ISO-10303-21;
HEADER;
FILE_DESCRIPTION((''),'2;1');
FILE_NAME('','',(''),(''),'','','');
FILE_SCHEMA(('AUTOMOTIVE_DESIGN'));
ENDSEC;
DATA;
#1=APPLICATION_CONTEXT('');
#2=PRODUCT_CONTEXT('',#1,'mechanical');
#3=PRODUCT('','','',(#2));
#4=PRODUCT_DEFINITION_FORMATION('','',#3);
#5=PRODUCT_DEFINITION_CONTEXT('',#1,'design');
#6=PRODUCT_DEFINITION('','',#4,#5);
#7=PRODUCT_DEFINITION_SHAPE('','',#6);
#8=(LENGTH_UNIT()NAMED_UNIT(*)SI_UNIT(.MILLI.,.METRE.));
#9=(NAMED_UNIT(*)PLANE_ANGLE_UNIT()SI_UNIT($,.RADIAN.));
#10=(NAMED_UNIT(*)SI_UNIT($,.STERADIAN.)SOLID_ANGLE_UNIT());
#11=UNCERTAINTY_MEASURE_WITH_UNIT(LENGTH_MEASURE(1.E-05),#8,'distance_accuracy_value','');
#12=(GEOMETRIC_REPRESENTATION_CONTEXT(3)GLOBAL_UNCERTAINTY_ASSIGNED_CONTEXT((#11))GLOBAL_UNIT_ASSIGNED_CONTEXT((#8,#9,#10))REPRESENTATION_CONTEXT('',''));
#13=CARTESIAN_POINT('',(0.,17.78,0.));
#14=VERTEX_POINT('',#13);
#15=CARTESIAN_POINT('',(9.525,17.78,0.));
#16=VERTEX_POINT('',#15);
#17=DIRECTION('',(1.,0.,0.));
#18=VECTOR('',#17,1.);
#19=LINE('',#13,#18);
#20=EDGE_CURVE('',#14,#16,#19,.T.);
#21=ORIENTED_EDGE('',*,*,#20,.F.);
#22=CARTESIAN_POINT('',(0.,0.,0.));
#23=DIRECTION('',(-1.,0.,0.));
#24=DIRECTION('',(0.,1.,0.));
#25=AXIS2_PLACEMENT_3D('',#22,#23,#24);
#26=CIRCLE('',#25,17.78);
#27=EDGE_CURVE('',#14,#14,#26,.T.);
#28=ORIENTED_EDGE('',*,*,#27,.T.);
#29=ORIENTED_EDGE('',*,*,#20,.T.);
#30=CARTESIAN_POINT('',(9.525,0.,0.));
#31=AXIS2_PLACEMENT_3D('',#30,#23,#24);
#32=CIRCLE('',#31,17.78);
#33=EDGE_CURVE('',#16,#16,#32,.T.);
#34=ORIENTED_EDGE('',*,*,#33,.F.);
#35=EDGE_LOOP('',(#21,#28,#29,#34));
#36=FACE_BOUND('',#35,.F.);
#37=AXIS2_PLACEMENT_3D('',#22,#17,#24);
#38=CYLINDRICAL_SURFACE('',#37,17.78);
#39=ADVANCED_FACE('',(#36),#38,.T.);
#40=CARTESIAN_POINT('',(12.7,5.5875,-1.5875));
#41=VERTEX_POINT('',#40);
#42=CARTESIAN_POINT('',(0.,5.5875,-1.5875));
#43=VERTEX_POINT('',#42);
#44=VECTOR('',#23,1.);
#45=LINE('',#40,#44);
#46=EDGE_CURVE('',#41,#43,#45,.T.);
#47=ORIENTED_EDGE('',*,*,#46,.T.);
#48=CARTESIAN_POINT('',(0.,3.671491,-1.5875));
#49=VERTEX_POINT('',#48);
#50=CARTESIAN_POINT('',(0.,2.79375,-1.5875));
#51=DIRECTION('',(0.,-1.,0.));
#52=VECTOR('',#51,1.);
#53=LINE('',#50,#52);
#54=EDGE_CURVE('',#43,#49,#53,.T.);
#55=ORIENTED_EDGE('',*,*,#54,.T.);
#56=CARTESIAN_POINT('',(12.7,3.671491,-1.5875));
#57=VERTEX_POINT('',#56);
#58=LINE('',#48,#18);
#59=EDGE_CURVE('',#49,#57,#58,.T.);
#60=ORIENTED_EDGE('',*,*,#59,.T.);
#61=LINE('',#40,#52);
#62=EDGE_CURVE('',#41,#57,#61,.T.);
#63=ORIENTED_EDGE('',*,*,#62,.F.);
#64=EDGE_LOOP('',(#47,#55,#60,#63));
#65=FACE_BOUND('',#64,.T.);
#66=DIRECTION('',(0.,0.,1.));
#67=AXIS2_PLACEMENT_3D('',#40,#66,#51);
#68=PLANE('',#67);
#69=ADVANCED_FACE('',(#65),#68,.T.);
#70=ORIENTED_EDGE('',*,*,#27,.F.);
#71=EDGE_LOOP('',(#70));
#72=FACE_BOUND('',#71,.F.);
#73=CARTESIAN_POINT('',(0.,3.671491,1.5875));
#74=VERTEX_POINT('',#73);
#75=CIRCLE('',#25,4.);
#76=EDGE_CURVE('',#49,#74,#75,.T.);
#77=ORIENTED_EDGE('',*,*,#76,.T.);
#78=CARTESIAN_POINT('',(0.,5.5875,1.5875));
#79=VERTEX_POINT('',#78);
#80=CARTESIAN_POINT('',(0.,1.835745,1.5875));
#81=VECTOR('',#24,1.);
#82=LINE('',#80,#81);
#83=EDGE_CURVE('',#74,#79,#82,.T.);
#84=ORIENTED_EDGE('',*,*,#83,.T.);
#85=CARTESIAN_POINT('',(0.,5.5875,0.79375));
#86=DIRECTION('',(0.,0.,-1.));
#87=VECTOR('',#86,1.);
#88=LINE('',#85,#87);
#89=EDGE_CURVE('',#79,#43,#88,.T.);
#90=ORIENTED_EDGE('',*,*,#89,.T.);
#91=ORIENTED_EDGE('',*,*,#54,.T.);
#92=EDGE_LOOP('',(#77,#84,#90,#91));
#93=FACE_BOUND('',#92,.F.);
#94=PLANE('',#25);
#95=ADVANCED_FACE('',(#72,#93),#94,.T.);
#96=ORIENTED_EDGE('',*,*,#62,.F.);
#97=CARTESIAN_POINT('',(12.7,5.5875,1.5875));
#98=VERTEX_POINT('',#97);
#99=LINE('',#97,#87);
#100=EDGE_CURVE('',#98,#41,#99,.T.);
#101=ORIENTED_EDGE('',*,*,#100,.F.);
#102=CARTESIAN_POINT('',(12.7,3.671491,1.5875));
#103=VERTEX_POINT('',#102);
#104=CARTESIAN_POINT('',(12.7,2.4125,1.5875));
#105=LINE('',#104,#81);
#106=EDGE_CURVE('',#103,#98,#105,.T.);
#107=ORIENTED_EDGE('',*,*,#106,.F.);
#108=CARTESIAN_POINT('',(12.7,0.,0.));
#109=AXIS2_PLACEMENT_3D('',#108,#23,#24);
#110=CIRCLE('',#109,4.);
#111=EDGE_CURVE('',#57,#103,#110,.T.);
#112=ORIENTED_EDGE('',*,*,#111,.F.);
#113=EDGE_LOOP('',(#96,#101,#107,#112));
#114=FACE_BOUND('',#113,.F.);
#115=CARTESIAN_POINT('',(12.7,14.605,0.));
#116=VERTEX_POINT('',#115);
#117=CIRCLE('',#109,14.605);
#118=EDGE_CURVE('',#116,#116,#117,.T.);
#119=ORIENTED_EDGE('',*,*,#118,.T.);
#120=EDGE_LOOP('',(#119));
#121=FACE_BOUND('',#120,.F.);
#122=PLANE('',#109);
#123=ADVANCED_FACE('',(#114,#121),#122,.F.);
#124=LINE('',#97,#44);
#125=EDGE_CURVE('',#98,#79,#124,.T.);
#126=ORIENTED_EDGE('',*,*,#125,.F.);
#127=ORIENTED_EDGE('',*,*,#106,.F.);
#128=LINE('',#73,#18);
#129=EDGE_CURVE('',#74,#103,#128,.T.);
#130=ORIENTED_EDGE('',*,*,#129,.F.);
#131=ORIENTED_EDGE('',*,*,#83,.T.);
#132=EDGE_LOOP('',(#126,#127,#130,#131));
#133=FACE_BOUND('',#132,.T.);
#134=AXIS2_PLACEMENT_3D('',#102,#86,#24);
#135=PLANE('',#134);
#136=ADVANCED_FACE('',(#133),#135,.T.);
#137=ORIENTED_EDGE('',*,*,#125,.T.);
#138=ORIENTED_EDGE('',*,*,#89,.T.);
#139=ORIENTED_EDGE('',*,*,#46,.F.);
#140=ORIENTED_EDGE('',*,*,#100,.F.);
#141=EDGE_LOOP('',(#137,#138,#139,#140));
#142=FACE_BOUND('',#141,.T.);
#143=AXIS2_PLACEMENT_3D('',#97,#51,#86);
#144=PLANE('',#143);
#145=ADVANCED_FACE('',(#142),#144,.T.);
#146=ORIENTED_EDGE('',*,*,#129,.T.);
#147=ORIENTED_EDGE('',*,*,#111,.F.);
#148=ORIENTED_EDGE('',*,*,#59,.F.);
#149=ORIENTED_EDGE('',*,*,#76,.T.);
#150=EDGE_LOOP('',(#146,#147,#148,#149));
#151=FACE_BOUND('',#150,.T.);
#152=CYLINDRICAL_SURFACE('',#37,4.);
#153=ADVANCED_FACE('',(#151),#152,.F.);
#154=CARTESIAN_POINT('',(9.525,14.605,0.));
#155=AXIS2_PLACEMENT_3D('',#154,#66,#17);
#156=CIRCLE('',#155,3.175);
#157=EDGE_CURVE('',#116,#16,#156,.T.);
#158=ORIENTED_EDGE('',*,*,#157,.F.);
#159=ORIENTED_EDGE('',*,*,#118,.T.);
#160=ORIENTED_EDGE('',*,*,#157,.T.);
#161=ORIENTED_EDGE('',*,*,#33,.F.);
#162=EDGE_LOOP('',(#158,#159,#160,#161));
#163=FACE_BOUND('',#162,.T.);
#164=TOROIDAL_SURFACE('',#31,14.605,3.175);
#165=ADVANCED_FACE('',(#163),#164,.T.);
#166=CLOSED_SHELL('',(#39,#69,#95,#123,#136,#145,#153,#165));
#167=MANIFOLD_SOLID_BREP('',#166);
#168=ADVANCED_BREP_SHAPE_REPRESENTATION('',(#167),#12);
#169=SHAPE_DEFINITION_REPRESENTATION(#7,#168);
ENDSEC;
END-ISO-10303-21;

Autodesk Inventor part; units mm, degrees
ref_plane "YZ Plane" through (0, 0, 0) normal (1, 0, 0) x (0, 1, 0)
ref_plane "XZ Plane" through (0, 0, 0) normal (0, 1, 0) x (-1, 0, 0)
ref_plane "XY Plane" through (0, 0, 0) normal (0, 0, 1) x (1, 0, 0)
sketch "Sketch1" plane through (0, 0, 0) normal (0, 0, 1) x (1, 0, 0)
  line L0 (0, 0) -> (0, 17.78)
  line L1 (0, 17.78) -> (9.525, 17.78)
  line L2 (12.7, 14.605) -> (12.7, 0)
  line L3 (12.7, 0) -> (0, 0)
  line L4 (0, 4) -> (12.7, 4)
  arc A0 (12.7, 14.605) -> (9.525, 17.78) centre (9.525, 14.605) ccw
  point P0 (12.7, 17.78)
  dimension "d0" = 17.78
  dimension "d1" = 12.7
  dimension "d2" = 4
  dimension "d3" = 3.175
revolve "Revolution1" add sketch "Sketch1" angle 360 about axis through (12.7, 0, 0) along (-1, 0, 0) contours L0 L1 A0 L2 L4
sketch "Sketch2" plane through (12.7, 0, 0) normal (1, 0, 0) x (0, 0, -1)
  line L0 (-1.5875, 5.5875) -> (1.5875, 5.5875)
  line L1 (1.5875, 5.5875) -> (1.5875, 2.4125)
  line L2 (1.5875, 2.4125) -> (-1.5875, 2.4125)
  line L3 (-1.5875, 2.4125) -> (-1.5875, 5.5875)
  circle A0 centre (0, 0) radius 4 projected
  line L4 (-1.5875, 5.5875) -> (1.5875, 2.4125) construction
  line L5 (1.5875, 5.5875) -> (-1.5875, 2.4125) construction
  point P0 (0, 4)
  dimension "d5" = 3.175
  dimension "d6" = 3.175
extrude "Extrusion1" cut sketch "Sketch2" against normal through all contours L0 L1 A0 L3 | A0 L1 L2 L3 picked at (0, 2.9417)
properties part number "SpacerC"
